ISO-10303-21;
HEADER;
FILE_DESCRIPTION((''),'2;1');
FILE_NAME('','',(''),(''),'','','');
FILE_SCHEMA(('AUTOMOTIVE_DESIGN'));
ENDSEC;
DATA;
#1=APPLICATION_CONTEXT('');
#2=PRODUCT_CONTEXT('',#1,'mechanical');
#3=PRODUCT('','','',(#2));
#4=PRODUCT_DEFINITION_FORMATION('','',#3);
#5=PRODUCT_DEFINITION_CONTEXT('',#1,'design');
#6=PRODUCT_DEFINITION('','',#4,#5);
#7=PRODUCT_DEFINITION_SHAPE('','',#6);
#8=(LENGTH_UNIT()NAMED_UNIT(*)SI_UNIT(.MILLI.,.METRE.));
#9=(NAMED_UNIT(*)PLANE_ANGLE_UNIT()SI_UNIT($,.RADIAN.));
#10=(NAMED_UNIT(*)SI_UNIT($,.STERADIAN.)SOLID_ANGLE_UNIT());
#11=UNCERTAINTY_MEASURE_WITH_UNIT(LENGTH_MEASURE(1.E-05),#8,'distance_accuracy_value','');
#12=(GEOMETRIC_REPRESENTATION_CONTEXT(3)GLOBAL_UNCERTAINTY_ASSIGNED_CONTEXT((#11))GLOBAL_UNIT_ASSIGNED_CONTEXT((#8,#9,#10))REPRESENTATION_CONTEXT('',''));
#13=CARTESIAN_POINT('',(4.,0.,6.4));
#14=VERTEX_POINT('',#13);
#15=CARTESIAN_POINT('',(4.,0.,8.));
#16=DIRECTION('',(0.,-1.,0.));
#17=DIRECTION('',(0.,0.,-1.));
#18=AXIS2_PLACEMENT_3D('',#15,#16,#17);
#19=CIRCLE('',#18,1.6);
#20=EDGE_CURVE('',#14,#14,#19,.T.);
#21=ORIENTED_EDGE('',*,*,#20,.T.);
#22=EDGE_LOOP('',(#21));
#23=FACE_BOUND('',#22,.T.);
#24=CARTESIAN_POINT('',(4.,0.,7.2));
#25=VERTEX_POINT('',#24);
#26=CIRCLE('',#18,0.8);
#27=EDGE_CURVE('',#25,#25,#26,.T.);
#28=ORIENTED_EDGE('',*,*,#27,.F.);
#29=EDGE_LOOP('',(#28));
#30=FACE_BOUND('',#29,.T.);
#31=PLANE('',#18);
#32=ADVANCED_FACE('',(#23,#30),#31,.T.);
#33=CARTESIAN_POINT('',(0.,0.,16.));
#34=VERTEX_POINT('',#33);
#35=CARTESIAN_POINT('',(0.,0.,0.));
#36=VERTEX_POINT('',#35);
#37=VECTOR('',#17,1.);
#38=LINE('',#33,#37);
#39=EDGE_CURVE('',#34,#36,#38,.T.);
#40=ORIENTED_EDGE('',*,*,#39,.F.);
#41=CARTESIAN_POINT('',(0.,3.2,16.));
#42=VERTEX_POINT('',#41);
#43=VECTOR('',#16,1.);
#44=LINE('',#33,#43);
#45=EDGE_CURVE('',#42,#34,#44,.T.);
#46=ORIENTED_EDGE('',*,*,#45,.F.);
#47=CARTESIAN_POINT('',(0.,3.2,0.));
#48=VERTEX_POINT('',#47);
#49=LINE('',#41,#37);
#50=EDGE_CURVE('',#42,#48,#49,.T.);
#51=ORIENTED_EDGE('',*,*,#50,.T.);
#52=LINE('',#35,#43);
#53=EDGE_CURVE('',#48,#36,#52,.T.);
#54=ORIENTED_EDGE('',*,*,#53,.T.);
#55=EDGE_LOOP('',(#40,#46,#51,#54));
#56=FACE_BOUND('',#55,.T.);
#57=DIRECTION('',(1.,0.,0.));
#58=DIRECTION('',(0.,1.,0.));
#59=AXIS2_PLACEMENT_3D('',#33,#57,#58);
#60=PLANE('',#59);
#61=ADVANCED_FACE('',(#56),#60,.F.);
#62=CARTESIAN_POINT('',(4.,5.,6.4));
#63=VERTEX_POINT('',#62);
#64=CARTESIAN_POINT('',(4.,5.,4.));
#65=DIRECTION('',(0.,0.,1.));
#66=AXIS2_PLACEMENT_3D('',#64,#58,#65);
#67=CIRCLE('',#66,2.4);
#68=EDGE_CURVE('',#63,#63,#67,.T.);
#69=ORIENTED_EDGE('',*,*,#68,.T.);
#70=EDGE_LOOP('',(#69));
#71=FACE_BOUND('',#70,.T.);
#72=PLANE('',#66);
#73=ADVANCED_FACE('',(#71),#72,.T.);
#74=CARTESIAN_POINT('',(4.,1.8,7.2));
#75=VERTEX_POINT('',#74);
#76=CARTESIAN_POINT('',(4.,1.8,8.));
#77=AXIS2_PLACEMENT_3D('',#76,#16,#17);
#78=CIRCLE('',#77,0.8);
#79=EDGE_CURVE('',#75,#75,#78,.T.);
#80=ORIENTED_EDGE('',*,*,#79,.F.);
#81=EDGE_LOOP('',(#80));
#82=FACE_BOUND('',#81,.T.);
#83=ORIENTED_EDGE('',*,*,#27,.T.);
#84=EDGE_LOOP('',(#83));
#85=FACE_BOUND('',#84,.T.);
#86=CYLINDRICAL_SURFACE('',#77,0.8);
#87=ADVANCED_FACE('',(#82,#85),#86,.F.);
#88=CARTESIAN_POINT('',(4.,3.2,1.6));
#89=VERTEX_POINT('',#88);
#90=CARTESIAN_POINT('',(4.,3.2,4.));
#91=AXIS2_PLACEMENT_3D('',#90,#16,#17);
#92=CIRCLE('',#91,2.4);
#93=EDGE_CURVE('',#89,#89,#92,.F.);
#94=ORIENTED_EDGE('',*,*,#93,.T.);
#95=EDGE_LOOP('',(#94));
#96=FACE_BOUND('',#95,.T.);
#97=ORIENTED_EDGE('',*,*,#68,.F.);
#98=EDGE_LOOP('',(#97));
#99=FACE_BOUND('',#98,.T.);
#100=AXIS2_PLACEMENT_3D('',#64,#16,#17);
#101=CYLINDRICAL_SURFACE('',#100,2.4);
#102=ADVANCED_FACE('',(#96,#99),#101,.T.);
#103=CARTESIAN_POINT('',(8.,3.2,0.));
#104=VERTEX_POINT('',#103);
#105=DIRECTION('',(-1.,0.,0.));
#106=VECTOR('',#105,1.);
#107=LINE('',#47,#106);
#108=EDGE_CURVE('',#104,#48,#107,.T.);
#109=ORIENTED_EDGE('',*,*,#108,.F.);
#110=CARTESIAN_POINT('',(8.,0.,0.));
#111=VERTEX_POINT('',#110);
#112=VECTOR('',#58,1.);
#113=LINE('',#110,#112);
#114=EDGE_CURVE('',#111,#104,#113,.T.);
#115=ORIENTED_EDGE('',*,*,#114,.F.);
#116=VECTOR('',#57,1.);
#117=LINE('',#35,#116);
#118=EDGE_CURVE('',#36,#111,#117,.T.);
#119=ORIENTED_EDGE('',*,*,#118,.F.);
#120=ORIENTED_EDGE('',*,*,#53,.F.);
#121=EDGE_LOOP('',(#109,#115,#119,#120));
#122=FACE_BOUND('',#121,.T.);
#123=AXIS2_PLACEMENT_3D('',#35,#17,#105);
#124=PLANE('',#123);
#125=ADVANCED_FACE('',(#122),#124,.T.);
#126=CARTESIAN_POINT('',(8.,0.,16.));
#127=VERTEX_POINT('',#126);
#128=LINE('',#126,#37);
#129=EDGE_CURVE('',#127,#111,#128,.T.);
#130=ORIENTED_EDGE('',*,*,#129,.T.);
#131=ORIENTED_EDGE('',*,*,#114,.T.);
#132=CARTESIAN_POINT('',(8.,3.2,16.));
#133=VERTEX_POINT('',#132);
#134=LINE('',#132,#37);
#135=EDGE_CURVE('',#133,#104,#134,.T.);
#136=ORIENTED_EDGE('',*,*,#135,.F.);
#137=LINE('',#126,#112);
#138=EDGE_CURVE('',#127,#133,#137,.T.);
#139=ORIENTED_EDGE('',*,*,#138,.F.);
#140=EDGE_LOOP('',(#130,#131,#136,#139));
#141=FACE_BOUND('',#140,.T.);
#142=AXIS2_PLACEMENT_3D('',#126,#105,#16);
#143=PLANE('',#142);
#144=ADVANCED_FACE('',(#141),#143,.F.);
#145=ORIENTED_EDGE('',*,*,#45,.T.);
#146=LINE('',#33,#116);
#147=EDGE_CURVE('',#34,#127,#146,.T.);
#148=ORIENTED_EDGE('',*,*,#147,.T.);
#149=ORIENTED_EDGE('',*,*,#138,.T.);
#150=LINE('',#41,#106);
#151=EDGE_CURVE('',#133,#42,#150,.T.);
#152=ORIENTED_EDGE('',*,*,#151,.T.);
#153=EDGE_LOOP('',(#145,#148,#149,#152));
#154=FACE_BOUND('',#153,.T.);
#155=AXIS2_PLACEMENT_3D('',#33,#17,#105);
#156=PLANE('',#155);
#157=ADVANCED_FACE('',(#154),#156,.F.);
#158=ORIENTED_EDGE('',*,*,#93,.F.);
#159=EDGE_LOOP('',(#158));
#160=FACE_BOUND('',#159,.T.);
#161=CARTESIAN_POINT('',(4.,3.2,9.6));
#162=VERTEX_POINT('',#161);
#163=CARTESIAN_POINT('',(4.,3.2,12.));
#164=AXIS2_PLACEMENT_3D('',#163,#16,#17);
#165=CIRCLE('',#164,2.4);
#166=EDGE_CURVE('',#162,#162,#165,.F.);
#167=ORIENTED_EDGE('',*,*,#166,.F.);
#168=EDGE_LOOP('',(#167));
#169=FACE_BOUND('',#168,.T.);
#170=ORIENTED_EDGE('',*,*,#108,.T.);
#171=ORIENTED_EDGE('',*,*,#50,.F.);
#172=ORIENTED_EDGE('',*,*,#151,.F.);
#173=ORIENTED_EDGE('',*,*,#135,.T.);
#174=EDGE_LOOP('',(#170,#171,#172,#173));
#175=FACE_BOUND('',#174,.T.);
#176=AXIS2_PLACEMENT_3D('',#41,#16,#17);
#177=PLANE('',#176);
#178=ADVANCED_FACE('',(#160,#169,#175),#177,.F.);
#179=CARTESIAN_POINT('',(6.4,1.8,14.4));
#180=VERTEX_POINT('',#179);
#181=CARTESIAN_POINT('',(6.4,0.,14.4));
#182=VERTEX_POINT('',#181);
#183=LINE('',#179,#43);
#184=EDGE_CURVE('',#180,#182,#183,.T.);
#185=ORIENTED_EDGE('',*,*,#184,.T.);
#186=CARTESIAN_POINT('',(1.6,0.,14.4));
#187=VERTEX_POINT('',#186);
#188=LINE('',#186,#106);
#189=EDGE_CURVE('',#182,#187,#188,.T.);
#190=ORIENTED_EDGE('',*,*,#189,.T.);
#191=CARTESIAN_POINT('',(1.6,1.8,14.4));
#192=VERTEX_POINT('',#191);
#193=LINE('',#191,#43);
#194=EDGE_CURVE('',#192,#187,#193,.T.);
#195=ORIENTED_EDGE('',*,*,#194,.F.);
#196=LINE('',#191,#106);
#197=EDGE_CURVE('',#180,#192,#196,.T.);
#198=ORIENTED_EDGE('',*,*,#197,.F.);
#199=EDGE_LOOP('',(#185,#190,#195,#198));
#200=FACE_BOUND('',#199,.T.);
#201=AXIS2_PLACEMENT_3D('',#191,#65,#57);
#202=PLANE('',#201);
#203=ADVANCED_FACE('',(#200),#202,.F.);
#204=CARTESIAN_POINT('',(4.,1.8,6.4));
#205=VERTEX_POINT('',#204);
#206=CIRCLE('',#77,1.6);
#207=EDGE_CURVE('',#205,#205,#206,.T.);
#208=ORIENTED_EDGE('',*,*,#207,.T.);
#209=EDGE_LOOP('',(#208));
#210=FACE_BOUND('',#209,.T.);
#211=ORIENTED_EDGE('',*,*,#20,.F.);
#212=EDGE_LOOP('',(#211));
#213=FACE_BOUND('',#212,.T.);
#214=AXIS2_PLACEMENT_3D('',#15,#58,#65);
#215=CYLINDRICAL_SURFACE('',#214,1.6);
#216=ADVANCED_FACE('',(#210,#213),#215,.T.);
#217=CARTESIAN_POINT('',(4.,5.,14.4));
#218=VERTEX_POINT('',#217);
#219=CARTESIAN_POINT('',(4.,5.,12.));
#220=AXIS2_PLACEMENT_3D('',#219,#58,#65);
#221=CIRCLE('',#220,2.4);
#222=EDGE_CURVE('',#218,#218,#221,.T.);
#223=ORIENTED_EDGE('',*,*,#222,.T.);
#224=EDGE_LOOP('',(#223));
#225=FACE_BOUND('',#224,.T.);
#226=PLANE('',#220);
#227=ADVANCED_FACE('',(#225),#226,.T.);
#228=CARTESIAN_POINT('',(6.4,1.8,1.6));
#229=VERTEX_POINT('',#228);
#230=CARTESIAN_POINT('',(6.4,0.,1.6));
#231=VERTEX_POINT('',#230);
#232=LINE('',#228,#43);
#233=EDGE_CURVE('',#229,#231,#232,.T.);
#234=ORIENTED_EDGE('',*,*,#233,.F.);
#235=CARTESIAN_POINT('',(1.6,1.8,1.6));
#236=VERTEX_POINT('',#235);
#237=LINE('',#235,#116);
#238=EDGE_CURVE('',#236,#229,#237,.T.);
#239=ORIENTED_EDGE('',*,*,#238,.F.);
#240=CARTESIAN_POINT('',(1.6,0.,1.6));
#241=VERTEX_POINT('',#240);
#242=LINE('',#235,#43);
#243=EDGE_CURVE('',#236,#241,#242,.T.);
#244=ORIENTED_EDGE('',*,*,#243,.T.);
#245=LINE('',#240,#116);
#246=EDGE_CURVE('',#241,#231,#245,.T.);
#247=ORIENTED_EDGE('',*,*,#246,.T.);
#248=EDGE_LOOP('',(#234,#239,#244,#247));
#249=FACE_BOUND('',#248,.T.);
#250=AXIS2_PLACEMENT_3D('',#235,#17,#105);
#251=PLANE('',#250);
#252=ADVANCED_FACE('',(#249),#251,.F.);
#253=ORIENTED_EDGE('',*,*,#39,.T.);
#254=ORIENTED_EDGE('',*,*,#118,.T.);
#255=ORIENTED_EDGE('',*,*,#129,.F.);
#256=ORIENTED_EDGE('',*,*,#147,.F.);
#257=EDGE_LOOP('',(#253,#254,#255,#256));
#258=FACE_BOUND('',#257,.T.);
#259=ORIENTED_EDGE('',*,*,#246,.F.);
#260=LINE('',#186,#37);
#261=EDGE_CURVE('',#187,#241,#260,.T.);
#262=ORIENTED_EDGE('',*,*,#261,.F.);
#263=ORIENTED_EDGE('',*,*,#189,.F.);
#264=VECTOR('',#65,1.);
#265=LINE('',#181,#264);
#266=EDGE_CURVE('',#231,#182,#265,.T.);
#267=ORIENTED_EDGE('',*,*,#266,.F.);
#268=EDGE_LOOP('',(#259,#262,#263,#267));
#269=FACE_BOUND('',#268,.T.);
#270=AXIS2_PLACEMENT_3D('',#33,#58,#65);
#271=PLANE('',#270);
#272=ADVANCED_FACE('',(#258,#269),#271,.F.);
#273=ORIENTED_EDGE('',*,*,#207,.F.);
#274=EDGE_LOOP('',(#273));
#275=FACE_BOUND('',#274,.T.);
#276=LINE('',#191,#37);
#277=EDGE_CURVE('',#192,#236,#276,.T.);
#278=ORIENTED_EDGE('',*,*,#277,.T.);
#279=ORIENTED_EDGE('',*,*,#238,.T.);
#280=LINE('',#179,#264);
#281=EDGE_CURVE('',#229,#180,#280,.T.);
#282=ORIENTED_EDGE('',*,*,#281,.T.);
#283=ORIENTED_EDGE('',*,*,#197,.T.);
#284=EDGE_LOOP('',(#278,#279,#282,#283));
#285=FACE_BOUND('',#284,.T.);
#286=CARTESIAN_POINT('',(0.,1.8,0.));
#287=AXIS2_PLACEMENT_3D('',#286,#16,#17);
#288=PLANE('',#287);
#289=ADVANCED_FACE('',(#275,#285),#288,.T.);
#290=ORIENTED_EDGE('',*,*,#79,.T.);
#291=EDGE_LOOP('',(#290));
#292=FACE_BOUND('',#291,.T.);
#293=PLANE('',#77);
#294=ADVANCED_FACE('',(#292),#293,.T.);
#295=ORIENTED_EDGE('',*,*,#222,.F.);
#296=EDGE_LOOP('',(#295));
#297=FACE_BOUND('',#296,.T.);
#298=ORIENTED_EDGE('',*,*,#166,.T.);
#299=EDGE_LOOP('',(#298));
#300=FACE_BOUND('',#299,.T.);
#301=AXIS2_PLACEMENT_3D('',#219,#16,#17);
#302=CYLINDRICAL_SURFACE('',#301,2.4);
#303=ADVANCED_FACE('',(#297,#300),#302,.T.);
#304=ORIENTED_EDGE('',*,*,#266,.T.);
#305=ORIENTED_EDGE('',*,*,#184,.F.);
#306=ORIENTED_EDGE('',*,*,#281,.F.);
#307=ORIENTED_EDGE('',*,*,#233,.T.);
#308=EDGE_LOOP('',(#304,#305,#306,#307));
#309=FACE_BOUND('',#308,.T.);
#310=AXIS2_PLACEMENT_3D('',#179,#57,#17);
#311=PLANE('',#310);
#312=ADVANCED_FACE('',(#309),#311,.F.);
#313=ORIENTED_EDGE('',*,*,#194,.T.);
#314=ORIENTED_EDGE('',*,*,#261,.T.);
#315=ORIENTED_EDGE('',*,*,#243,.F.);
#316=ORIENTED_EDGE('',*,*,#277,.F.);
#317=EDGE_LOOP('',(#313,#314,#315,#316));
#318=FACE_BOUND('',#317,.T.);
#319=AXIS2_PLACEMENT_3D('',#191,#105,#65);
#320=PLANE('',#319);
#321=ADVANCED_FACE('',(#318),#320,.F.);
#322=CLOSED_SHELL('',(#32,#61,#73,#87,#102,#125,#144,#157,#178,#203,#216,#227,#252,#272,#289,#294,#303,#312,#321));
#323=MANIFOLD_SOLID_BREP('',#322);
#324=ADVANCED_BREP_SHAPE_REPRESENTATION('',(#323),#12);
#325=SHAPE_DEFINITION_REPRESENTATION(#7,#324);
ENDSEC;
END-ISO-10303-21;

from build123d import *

# Parameters (mm, degrees)
SKETCH1_W           = 8
SKETCH1_H           = 3.2
BOSS_EXTRUDE1_DEPTH = 16
SKETCH2_W           = 4.8
SKETCH2_H           = 12.8
CUT_EXTRUDE1_DEPTH  = 1.8
SKETCH3_R           = 2.4
BOSS_EXTRUDE2_DEPTH = 1.8
SKETCH4_R           = 1.6
BOSS_EXTRUDE3_DEPTH = 1.8
SKETCH5_R           = 0.8
CUT_EXTRUDE2_DEPTH  = 1.8


with BuildPart() as part:
    # Sketch1 → Boss-Extrude1 (new body)
    with BuildSketch(Plane.XY):
        with Locations((4, 1.6)):
            Rectangle(SKETCH1_W, SKETCH1_H)
    extrude(amount=BOSS_EXTRUDE1_DEPTH)

    # Sketch2 → Cut-Extrude1 (cut)
    with BuildSketch(Plane.XZ):
        with Locations((4, 8)):
            Rectangle(SKETCH2_W, SKETCH2_H)
    extrude(amount=-CUT_EXTRUDE1_DEPTH, mode=Mode.SUBTRACT)

    # Sketch3 → Boss-Extrude2 (add)
    with BuildSketch(Plane(origin=(0, 3.2, 0), x_dir=(1, 0, 0), z_dir=(0, 1, 0))):
        with Locations((4, -4)):
            Circle(SKETCH3_R)
        with Locations((4, -12)):
            Circle(SKETCH3_R)
    extrude(amount=BOSS_EXTRUDE2_DEPTH)

    # Sketch4 → Boss-Extrude3 (add)
    with BuildSketch(Plane.XZ.offset(-1.8)):
        with Locations((4, 8)):
            Circle(SKETCH4_R)
    extrude(amount=BOSS_EXTRUDE3_DEPTH)

    # Sketch5 → Cut-Extrude2 (cut)
    with BuildSketch(Plane.XZ):
        with Locations((4, 8)):
            Circle(SKETCH5_R)
    extrude(amount=-CUT_EXTRUDE2_DEPTH, mode=Mode.SUBTRACT)


solid = part.part
